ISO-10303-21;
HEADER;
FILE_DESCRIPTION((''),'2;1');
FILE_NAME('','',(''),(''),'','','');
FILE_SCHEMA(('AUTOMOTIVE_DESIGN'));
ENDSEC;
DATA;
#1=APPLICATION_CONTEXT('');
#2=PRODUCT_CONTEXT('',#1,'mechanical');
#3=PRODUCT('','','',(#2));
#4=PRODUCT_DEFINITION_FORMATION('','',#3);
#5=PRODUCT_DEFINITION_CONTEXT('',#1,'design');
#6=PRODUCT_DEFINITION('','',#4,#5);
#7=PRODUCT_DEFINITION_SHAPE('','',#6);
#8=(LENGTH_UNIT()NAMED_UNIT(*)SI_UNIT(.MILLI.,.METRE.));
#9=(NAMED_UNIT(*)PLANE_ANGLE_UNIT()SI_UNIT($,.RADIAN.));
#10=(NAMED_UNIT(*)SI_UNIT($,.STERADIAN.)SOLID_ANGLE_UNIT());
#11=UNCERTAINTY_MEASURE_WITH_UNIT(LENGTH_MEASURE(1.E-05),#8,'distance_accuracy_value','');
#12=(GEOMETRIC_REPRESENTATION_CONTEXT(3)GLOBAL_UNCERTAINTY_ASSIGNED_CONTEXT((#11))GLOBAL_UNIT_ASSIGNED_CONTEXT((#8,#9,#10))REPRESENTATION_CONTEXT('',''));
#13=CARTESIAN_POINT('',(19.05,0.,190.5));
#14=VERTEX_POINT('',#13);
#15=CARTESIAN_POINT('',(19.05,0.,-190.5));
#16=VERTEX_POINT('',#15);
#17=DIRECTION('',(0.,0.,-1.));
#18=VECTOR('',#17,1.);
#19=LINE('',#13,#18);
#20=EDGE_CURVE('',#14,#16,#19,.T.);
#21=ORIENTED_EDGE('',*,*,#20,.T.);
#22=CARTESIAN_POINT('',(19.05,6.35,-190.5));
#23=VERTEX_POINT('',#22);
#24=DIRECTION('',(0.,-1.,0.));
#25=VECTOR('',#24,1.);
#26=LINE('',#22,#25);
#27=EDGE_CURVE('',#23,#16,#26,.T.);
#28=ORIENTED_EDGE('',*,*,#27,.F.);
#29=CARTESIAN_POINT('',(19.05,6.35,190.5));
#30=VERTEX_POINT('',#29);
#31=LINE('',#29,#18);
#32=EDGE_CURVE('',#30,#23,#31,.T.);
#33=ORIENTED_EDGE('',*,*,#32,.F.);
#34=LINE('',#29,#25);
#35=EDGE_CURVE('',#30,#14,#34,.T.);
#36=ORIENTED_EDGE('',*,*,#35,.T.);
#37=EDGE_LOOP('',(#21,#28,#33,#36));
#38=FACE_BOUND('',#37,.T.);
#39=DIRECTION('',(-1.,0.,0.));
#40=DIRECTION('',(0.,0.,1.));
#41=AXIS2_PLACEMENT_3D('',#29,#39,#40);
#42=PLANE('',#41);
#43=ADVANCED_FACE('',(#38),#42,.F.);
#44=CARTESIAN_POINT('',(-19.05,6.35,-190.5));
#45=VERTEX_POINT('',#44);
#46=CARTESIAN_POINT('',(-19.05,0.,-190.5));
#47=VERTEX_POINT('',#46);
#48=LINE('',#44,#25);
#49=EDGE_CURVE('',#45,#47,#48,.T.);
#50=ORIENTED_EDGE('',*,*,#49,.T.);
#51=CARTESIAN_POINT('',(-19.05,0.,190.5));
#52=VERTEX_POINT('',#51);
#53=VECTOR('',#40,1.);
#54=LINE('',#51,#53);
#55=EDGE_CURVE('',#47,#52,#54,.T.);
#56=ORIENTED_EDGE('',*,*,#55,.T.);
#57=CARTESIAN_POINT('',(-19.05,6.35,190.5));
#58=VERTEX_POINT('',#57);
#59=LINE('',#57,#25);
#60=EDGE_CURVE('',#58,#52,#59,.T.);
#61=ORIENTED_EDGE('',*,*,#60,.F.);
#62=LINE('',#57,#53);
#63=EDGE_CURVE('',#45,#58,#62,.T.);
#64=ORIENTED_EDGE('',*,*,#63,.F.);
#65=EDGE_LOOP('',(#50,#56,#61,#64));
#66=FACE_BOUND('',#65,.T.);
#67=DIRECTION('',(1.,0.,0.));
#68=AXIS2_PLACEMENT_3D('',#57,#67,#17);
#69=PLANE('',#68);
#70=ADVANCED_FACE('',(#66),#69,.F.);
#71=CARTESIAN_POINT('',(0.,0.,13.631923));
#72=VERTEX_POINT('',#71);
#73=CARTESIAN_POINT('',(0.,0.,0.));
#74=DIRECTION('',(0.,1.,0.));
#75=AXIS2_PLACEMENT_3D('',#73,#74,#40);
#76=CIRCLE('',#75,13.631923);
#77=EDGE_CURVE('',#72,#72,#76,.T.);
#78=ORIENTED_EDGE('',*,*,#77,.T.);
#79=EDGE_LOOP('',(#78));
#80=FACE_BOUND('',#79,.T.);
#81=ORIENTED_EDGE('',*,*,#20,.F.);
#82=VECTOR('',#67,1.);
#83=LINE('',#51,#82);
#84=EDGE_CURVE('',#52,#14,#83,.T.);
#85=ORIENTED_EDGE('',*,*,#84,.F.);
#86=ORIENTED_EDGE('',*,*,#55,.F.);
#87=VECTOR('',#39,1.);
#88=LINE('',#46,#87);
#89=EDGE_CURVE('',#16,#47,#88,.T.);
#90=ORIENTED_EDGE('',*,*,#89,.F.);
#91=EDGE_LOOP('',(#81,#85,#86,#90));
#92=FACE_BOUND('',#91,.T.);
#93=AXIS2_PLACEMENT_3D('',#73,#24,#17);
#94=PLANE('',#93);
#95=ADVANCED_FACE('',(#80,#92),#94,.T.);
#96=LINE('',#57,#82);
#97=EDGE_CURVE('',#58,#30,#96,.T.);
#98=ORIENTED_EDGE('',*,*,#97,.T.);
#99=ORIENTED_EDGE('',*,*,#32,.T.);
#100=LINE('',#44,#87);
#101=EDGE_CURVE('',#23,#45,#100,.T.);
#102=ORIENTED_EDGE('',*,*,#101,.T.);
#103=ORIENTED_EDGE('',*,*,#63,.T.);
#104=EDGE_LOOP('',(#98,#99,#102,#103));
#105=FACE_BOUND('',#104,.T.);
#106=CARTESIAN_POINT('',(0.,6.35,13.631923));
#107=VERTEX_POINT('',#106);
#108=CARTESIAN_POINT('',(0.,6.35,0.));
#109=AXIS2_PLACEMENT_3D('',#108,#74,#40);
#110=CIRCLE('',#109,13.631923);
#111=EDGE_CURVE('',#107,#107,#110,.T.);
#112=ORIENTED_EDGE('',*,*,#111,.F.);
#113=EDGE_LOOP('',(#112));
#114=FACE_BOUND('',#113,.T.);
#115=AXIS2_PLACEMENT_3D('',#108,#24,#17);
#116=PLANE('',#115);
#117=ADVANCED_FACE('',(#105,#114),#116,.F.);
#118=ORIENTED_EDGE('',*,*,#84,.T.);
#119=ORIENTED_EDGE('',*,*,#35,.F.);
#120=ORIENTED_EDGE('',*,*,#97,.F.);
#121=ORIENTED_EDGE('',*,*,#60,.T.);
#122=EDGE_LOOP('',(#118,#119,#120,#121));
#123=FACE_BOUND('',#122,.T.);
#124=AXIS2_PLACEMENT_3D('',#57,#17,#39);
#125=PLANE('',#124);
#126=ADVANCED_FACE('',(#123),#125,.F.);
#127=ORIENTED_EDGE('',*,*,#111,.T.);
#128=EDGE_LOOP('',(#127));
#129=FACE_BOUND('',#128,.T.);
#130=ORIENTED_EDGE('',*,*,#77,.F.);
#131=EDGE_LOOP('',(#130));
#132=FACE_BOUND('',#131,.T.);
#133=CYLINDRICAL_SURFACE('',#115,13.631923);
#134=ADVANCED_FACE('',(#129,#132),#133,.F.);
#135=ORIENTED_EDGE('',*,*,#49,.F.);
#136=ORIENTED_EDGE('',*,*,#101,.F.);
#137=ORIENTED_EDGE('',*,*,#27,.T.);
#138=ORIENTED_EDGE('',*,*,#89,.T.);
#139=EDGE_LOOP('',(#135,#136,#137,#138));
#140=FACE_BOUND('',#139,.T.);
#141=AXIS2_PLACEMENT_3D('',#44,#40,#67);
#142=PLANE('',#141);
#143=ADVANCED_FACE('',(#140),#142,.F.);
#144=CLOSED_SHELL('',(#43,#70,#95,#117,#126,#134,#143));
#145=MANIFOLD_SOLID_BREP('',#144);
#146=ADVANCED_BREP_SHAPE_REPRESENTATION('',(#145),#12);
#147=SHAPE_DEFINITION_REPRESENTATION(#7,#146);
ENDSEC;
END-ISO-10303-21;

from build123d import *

# Parameters (mm, degrees)
SKETCH1_W           = 38.1
SKETCH1_H           = 381
SKETCH1_R           = 13.631923419
BOSS_EXTRUDE1_DEPTH = 6.35


with BuildPart() as part:
    # Sketch1 → Boss-Extrude1 (new body)
    with BuildSketch(Plane(origin=(0, 0, 0), x_dir=(1, 0, 0), z_dir=(0, 1, 0))):
        Rectangle(SKETCH1_W, SKETCH1_H)
        with Locations(Location((0, 0, 0), (0, 0, 270))):
            Circle(SKETCH1_R, mode=Mode.SUBTRACT)
    extrude(amount=BOSS_EXTRUDE1_DEPTH)


solid = part.part
